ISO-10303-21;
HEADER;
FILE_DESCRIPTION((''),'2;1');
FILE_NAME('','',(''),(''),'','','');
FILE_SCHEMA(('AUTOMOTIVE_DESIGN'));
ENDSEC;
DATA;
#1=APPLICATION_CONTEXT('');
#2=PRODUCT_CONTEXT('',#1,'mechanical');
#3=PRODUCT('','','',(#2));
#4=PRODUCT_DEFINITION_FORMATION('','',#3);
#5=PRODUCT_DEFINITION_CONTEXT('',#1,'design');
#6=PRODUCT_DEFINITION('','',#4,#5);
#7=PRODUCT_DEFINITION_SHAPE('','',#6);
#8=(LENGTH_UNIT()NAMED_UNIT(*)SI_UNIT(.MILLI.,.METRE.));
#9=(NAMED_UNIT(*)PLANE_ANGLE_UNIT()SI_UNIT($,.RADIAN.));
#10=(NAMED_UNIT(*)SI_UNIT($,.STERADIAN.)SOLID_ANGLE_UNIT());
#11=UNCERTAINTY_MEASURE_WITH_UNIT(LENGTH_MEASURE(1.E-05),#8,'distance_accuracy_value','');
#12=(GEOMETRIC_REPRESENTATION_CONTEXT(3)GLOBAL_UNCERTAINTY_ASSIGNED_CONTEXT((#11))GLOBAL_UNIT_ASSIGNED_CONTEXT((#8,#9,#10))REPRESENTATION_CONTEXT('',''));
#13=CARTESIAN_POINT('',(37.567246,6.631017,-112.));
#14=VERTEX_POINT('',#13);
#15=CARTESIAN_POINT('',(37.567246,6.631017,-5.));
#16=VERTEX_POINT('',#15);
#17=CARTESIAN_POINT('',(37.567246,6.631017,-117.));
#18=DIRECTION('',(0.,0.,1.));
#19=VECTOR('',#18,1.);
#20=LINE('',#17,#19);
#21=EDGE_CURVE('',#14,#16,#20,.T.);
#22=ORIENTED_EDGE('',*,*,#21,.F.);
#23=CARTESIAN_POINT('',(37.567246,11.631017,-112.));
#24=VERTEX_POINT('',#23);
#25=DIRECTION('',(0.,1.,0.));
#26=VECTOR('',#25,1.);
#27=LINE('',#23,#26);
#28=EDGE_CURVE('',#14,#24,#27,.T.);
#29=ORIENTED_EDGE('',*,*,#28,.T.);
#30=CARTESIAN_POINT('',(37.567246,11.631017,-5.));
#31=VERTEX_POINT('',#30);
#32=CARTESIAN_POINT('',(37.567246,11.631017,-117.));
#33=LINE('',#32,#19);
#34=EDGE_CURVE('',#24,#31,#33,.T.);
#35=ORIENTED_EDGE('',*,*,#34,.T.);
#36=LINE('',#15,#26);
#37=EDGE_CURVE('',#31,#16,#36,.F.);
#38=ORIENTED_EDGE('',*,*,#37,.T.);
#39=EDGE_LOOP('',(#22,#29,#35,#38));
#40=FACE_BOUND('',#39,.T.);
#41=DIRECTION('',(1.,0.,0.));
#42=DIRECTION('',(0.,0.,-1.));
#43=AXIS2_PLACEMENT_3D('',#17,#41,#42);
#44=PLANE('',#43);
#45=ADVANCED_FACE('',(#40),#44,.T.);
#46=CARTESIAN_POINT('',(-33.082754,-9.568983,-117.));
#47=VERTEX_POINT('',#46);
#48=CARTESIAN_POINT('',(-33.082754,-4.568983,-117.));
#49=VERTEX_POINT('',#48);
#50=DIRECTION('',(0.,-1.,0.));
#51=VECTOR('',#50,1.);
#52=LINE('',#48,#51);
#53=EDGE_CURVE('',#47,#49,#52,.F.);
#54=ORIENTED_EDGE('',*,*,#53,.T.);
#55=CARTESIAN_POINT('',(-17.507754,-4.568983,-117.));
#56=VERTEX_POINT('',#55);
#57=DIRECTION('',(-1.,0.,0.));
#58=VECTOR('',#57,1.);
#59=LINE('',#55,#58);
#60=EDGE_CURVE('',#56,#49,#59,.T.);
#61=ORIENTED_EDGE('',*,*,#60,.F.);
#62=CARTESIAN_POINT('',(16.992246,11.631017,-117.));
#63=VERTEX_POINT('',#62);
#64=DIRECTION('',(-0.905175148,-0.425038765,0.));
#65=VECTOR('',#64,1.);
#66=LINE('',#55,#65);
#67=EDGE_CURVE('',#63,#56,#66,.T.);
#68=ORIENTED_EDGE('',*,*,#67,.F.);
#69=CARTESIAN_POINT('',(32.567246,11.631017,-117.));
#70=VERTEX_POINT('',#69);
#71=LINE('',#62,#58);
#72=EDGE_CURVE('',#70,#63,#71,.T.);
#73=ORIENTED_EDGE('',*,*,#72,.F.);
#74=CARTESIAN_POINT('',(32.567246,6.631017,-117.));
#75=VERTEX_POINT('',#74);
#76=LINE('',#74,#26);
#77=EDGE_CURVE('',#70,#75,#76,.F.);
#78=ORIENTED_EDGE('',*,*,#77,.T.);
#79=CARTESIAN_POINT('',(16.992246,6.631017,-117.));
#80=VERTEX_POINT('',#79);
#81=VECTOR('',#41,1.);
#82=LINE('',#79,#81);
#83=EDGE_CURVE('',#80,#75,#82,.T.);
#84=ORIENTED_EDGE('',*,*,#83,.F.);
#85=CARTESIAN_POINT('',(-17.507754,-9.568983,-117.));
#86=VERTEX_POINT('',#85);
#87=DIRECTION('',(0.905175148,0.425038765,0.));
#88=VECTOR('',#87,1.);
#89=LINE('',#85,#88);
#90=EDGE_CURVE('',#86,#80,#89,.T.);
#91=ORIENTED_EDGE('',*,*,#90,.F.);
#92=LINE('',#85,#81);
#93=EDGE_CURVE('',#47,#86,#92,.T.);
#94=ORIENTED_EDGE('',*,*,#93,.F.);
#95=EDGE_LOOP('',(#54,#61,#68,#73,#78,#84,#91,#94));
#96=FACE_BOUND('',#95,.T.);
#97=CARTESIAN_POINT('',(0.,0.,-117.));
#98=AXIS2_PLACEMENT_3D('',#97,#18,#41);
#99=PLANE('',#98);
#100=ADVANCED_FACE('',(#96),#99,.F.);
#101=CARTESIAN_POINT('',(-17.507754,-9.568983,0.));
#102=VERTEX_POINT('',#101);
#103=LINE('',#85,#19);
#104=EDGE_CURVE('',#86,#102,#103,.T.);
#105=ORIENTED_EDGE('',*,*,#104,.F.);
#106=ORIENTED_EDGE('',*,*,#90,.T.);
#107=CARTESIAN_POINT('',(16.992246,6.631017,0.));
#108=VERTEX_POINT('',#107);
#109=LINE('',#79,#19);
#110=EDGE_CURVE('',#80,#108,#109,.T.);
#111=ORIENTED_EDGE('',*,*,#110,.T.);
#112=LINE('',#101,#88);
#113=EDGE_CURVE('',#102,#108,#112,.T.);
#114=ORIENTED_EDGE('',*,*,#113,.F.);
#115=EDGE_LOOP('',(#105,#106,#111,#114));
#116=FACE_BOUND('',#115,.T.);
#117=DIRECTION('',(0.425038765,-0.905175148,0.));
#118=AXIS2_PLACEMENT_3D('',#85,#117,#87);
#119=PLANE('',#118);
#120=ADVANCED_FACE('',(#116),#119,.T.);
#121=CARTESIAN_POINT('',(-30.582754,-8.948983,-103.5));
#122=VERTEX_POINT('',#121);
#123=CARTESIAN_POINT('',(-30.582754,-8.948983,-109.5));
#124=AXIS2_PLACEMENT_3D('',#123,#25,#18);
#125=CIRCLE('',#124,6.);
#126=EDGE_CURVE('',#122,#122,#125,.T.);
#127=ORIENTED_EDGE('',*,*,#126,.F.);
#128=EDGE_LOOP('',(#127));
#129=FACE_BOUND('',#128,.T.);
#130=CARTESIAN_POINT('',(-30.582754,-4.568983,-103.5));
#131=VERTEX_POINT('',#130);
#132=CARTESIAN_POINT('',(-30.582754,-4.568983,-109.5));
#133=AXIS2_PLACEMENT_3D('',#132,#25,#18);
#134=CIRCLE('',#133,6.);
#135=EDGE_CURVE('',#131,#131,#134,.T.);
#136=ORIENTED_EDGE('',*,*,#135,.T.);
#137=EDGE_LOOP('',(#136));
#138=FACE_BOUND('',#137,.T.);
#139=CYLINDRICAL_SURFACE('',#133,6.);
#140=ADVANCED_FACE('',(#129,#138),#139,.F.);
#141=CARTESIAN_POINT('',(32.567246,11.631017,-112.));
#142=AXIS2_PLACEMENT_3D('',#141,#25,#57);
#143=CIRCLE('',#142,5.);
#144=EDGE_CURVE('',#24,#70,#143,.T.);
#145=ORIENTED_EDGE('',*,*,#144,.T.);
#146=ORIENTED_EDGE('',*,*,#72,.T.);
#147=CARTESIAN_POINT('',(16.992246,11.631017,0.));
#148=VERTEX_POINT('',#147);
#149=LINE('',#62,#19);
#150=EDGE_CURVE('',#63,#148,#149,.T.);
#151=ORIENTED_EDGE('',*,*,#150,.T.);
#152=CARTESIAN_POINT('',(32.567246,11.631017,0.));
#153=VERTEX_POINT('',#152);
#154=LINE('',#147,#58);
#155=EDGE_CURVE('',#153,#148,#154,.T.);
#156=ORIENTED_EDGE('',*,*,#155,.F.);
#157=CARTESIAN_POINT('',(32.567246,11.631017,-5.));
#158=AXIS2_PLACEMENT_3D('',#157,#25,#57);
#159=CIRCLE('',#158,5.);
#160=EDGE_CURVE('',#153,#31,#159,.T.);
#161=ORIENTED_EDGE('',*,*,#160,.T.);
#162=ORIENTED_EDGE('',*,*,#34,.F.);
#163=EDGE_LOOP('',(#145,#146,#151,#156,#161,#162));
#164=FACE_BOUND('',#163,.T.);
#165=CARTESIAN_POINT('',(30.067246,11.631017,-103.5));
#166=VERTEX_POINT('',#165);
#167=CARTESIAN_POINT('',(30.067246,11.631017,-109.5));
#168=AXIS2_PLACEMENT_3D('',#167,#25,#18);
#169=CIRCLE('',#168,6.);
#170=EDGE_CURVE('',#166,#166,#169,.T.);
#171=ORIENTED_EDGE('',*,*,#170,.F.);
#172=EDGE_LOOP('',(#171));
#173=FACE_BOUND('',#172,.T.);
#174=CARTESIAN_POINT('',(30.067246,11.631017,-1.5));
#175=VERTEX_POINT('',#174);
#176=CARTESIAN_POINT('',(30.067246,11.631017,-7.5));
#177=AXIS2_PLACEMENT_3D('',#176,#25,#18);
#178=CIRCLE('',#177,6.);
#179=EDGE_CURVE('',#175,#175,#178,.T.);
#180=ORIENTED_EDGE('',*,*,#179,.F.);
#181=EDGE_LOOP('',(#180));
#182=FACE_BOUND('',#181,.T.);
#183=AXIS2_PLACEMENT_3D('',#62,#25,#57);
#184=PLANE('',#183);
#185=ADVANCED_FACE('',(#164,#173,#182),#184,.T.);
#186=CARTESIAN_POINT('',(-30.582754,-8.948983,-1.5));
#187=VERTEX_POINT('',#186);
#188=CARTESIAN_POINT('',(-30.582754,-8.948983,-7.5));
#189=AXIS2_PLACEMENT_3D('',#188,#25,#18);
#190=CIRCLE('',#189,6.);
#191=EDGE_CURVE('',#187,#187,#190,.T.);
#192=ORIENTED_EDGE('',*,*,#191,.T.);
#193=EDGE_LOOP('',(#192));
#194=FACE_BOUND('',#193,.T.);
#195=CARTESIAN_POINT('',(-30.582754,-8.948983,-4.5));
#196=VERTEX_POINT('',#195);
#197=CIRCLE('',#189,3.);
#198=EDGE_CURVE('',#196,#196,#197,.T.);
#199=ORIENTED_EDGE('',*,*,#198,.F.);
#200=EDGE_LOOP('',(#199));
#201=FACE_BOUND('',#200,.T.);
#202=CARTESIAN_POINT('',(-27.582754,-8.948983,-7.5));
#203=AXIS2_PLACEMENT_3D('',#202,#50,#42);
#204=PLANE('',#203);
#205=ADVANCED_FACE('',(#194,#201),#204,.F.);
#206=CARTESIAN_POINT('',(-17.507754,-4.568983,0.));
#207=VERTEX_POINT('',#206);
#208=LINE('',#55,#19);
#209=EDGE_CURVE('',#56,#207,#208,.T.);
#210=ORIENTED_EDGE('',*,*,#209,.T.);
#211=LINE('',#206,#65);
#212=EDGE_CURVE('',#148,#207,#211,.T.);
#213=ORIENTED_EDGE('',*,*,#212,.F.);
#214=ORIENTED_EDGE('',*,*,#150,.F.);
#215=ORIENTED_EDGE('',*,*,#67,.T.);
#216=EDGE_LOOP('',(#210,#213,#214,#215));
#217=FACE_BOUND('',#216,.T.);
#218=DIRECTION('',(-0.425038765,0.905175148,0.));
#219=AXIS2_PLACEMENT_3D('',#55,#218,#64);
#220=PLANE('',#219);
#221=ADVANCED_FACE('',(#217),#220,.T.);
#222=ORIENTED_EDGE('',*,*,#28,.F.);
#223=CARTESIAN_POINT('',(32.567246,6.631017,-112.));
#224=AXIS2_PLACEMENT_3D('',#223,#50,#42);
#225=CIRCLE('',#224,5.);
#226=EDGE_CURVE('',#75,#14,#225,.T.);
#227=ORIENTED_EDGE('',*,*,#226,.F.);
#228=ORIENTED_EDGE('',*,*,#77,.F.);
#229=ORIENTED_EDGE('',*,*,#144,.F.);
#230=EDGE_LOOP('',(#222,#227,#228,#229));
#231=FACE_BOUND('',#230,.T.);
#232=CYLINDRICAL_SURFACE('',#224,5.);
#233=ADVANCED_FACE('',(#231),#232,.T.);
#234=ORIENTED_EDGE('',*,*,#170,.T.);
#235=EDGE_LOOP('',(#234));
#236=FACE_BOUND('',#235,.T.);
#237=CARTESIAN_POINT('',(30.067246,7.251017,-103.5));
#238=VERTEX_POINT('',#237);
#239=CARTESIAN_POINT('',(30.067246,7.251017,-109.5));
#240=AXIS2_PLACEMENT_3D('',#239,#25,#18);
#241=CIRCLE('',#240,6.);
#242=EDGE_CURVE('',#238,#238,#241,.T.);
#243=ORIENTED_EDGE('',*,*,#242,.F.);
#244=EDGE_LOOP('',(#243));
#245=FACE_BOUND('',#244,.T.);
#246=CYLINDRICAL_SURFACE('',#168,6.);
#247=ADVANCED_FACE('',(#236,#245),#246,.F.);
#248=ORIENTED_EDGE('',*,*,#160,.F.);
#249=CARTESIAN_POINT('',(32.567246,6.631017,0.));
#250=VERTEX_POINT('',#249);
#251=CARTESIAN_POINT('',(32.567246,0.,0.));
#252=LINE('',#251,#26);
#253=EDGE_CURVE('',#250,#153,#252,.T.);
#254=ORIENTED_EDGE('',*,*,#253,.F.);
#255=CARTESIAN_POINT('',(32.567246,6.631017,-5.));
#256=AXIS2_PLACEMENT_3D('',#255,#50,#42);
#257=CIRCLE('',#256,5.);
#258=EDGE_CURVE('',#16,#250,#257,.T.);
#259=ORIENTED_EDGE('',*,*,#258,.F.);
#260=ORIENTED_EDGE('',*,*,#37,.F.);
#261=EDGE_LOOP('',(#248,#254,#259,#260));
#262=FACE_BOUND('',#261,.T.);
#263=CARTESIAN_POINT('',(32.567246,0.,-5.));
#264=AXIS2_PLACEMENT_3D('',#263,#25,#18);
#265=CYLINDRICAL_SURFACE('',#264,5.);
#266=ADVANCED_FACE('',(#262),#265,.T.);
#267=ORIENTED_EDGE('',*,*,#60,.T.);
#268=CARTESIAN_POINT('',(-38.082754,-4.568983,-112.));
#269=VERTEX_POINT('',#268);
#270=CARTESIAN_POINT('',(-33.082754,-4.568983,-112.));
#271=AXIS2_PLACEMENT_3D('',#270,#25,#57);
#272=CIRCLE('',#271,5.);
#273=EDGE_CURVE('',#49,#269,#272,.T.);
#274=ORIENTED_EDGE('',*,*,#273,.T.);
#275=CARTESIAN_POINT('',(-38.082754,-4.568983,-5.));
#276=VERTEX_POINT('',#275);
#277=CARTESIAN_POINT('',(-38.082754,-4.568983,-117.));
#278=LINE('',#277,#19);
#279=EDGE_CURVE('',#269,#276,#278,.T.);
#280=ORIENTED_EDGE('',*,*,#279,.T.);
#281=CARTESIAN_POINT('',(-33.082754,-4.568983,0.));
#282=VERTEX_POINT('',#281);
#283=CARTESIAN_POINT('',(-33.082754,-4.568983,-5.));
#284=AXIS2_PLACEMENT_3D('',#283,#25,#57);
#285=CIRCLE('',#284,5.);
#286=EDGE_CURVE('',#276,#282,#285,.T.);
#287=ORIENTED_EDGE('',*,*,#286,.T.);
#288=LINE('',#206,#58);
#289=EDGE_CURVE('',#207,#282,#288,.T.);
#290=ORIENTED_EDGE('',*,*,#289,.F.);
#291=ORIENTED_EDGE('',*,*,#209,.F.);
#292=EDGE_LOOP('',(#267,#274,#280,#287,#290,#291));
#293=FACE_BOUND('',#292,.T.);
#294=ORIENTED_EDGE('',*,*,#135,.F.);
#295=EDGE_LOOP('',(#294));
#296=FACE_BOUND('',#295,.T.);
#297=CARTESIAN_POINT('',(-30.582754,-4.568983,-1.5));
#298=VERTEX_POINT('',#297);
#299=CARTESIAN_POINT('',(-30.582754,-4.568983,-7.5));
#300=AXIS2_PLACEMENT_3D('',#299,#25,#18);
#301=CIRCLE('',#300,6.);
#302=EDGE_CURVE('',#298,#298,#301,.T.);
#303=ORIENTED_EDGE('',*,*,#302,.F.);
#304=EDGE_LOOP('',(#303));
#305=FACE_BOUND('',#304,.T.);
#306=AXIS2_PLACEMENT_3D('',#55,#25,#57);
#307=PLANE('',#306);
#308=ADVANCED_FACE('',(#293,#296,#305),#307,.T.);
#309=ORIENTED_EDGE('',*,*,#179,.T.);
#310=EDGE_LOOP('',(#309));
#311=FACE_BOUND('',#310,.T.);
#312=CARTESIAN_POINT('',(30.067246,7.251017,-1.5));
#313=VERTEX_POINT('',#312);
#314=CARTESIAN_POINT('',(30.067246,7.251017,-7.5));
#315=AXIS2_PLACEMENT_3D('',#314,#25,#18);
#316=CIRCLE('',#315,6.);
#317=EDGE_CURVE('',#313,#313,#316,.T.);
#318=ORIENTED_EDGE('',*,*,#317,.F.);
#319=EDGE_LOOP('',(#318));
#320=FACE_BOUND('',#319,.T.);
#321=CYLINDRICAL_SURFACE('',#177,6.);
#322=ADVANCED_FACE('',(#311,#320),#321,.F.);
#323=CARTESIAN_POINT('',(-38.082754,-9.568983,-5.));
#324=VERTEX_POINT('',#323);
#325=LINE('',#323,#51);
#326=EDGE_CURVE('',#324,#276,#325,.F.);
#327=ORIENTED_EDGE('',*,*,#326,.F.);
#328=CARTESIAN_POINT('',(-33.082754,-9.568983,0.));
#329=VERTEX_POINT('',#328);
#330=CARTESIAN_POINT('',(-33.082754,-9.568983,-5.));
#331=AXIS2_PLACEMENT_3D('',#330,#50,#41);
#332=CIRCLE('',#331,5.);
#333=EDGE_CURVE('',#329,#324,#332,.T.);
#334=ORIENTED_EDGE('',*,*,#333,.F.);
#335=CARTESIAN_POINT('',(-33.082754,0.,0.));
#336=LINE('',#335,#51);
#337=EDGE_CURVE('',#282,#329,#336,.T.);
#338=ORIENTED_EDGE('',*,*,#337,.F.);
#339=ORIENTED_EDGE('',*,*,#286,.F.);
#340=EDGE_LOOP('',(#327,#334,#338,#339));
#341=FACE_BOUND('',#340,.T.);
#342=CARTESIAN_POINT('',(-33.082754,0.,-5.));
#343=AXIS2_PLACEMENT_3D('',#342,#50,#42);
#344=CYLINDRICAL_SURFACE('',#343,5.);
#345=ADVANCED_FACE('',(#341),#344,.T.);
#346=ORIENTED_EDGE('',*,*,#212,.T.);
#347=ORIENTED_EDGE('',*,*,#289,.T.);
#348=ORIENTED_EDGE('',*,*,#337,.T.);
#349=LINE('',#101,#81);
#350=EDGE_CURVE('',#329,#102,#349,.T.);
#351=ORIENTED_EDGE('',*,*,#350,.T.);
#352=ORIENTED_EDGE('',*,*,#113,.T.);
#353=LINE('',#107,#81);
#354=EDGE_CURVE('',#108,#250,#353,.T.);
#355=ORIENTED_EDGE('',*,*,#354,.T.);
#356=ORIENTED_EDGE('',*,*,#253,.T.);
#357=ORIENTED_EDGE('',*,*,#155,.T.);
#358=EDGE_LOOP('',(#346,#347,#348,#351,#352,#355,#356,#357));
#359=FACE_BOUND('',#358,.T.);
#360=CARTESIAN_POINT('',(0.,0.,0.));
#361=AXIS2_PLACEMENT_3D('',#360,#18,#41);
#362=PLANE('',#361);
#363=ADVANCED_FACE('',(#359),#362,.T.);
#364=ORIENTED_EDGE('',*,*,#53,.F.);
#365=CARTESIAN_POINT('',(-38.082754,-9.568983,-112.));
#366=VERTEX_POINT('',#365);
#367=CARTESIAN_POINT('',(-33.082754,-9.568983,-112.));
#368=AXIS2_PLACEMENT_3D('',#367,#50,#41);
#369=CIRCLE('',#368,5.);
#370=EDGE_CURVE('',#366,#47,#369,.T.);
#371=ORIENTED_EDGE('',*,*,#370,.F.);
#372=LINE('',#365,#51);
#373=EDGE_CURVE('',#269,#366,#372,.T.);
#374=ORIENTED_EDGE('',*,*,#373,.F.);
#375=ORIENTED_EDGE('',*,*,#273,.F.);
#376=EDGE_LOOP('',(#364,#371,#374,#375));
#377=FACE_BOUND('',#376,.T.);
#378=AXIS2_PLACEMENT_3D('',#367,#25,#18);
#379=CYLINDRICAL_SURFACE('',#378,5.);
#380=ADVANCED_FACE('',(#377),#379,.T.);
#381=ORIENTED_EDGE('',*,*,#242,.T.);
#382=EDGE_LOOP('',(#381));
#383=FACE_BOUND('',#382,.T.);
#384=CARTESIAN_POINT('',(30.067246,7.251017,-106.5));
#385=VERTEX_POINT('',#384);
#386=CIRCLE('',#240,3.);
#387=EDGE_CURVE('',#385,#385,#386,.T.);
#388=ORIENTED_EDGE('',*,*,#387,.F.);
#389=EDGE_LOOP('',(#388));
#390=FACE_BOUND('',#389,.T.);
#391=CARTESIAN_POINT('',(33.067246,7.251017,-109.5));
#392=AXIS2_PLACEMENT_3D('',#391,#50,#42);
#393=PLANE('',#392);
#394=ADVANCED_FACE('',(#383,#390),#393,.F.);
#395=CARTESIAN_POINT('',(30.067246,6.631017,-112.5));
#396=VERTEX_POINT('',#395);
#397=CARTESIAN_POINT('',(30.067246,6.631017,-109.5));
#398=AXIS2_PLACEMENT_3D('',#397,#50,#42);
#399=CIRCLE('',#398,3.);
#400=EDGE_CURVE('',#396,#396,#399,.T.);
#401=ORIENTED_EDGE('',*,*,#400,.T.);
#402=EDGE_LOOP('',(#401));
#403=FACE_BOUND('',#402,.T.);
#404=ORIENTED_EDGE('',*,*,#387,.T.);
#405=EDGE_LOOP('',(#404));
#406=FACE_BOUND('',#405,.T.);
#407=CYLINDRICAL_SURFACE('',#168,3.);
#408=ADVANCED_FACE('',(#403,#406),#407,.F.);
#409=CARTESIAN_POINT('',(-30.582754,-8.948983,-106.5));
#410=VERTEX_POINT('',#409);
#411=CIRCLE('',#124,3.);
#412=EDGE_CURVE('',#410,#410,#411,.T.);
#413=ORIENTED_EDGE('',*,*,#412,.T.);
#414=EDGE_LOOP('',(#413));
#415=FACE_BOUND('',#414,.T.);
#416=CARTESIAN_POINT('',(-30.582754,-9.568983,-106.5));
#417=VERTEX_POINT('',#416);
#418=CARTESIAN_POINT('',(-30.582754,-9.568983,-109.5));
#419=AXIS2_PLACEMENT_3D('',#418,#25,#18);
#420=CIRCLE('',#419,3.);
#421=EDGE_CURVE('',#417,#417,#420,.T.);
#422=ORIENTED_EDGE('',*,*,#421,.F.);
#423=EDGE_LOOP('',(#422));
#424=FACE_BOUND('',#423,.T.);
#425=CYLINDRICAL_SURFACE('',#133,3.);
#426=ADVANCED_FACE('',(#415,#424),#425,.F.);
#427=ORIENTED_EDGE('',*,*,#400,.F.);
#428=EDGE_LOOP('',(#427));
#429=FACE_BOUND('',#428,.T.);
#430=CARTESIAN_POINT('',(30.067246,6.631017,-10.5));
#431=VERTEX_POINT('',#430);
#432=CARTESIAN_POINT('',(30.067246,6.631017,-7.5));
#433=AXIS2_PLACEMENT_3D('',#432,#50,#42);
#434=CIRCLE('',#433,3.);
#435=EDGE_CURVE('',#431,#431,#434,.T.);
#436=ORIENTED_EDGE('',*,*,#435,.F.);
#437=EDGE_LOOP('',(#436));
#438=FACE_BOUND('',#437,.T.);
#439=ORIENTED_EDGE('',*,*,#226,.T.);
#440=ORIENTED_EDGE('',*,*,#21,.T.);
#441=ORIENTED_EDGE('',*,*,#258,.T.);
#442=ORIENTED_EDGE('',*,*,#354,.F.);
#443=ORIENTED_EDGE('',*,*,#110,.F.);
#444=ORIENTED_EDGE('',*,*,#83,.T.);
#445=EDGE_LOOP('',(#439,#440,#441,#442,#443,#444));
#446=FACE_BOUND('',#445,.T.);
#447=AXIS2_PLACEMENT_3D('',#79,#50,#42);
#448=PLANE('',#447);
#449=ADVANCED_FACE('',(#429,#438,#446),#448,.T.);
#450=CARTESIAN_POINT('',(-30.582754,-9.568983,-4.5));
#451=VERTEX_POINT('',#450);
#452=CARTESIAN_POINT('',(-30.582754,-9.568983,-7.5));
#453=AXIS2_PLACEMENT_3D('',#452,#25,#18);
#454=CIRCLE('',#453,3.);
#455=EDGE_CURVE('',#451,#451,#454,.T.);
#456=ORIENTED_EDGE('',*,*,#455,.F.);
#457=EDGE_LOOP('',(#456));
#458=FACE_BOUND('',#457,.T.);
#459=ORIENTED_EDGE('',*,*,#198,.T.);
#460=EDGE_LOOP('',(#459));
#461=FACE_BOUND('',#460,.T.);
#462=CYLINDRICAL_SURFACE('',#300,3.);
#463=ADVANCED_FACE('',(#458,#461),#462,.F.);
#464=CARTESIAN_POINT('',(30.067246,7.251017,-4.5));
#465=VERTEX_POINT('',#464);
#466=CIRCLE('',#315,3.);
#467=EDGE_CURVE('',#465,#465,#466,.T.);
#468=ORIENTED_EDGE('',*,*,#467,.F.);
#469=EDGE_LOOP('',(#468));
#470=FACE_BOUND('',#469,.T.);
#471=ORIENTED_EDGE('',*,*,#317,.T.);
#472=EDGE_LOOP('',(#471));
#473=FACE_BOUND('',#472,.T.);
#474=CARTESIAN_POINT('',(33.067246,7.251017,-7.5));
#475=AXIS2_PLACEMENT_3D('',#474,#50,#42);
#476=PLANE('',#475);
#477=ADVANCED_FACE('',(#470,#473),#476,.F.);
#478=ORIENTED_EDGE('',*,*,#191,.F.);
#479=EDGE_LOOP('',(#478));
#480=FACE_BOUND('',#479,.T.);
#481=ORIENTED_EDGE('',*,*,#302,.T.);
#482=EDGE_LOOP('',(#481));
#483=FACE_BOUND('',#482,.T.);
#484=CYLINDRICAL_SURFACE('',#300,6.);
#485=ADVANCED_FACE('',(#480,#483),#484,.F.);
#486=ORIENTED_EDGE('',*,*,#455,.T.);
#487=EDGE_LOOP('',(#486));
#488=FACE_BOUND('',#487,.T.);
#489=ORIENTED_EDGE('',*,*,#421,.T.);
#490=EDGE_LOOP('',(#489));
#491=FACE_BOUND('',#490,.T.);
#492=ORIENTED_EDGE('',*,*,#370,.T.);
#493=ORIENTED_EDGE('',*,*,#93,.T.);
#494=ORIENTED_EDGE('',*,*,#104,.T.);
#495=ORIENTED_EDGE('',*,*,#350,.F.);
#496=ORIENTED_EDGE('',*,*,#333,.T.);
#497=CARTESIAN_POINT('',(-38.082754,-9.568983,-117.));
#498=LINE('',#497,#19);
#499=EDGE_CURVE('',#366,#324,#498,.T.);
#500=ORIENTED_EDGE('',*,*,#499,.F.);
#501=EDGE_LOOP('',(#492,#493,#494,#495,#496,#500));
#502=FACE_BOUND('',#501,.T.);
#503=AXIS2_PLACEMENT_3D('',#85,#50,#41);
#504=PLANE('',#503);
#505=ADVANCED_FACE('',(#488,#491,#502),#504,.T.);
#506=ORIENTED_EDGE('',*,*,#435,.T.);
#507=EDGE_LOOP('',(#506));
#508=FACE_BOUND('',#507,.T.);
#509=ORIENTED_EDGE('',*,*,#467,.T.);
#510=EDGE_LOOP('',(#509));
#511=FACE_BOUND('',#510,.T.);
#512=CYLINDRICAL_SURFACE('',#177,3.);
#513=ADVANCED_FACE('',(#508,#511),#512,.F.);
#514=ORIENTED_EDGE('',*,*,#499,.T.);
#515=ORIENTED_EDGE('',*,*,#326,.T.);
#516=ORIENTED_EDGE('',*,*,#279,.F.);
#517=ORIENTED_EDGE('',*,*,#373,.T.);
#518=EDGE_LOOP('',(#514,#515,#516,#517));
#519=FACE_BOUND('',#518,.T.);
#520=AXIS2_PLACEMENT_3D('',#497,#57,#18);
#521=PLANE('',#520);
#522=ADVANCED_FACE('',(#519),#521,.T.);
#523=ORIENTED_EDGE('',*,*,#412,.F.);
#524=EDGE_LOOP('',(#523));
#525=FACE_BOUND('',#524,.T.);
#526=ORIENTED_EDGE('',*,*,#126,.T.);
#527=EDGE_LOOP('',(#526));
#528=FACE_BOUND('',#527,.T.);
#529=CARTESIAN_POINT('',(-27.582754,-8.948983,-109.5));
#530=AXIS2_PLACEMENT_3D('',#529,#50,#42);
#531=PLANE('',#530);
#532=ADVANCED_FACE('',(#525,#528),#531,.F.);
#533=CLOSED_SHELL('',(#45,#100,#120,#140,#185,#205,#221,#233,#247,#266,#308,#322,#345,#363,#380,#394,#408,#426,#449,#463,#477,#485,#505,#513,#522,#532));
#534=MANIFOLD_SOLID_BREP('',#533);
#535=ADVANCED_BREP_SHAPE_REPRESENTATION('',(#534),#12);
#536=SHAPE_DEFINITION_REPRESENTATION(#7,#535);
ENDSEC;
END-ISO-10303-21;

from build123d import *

# Parameters (mm, degrees)
COVER_BODY_DEPTH                        = 117
CBORE_FOR_M6_HEX_HEAD_BOLT1_D           = 6
CBORE_FOR_M6_HEX_HEAD_BOLT1_CBORE_D     = 12
CBORE_FOR_M6_HEX_HEAD_BOLT1_CBORE_DEPTH = 4.38
CBORE_FOR_M6_HEX_HEAD_BOLT2_D           = 6
CBORE_FOR_M6_HEX_HEAD_BOLT2_CBORE_D     = 12
CBORE_FOR_M6_HEX_HEAD_BOLT2_CBORE_DEPTH = 4.38
FILLET1_R                               = 5


with BuildPart() as part:
    # Sketch1 → Cover Body (new body)
    with BuildSketch(Plane.XY):
        Polygon((-17.507754177, -4.568983292), (16.992245823, 11.631016708), (37.567245823, 11.631016708), (37.567245823, 6.631016708), (16.992245823, 6.631016708), (-17.507754177, -9.568983292), (-38.082754177, -9.568983292), (-38.082754177, -4.568983292), align=None)
    extrude(amount=-COVER_BODY_DEPTH)

    # CBORE for M6 Hex Head Bolt1 (through all)
    with Locations(Plane(origin=(0, -4.568983292, 0), x_dir=(1, 0, 0), z_dir=(0, 1, 0))):
        with Locations((-30.582754177, 109.5), (-30.582754177, 7.5)):
            CounterBoreHole(CBORE_FOR_M6_HEX_HEAD_BOLT1_D / 2, CBORE_FOR_M6_HEX_HEAD_BOLT1_CBORE_D / 2, CBORE_FOR_M6_HEX_HEAD_BOLT1_CBORE_DEPTH)

    # CBORE for M6 Hex Head Bolt2 (through all)
    with Locations(Plane(origin=(0, 11.631016708, 0), x_dir=(1, 0, 0), z_dir=(0, 1, 0))):
        with Locations((30.067245823, 7.5), (30.067245823, 109.5)):
            CounterBoreHole(CBORE_FOR_M6_HEX_HEAD_BOLT2_D / 2, CBORE_FOR_M6_HEX_HEAD_BOLT2_CBORE_D / 2, CBORE_FOR_M6_HEX_HEAD_BOLT2_CBORE_DEPTH)

    # Fillet1
    fillet1_edges = [part.edges().sort_by_distance(p)[0] for p in [
        (37.567245823, 9.131016708, 0),
        (37.567245823, 9.131016708, -117),
        (-38.082754177, -7.068983292, -117),
        (-38.082754177, -7.068983292, 0),
    ]]
    fillet(fillet1_edges, radius=FILLET1_R)


solid = part.part
